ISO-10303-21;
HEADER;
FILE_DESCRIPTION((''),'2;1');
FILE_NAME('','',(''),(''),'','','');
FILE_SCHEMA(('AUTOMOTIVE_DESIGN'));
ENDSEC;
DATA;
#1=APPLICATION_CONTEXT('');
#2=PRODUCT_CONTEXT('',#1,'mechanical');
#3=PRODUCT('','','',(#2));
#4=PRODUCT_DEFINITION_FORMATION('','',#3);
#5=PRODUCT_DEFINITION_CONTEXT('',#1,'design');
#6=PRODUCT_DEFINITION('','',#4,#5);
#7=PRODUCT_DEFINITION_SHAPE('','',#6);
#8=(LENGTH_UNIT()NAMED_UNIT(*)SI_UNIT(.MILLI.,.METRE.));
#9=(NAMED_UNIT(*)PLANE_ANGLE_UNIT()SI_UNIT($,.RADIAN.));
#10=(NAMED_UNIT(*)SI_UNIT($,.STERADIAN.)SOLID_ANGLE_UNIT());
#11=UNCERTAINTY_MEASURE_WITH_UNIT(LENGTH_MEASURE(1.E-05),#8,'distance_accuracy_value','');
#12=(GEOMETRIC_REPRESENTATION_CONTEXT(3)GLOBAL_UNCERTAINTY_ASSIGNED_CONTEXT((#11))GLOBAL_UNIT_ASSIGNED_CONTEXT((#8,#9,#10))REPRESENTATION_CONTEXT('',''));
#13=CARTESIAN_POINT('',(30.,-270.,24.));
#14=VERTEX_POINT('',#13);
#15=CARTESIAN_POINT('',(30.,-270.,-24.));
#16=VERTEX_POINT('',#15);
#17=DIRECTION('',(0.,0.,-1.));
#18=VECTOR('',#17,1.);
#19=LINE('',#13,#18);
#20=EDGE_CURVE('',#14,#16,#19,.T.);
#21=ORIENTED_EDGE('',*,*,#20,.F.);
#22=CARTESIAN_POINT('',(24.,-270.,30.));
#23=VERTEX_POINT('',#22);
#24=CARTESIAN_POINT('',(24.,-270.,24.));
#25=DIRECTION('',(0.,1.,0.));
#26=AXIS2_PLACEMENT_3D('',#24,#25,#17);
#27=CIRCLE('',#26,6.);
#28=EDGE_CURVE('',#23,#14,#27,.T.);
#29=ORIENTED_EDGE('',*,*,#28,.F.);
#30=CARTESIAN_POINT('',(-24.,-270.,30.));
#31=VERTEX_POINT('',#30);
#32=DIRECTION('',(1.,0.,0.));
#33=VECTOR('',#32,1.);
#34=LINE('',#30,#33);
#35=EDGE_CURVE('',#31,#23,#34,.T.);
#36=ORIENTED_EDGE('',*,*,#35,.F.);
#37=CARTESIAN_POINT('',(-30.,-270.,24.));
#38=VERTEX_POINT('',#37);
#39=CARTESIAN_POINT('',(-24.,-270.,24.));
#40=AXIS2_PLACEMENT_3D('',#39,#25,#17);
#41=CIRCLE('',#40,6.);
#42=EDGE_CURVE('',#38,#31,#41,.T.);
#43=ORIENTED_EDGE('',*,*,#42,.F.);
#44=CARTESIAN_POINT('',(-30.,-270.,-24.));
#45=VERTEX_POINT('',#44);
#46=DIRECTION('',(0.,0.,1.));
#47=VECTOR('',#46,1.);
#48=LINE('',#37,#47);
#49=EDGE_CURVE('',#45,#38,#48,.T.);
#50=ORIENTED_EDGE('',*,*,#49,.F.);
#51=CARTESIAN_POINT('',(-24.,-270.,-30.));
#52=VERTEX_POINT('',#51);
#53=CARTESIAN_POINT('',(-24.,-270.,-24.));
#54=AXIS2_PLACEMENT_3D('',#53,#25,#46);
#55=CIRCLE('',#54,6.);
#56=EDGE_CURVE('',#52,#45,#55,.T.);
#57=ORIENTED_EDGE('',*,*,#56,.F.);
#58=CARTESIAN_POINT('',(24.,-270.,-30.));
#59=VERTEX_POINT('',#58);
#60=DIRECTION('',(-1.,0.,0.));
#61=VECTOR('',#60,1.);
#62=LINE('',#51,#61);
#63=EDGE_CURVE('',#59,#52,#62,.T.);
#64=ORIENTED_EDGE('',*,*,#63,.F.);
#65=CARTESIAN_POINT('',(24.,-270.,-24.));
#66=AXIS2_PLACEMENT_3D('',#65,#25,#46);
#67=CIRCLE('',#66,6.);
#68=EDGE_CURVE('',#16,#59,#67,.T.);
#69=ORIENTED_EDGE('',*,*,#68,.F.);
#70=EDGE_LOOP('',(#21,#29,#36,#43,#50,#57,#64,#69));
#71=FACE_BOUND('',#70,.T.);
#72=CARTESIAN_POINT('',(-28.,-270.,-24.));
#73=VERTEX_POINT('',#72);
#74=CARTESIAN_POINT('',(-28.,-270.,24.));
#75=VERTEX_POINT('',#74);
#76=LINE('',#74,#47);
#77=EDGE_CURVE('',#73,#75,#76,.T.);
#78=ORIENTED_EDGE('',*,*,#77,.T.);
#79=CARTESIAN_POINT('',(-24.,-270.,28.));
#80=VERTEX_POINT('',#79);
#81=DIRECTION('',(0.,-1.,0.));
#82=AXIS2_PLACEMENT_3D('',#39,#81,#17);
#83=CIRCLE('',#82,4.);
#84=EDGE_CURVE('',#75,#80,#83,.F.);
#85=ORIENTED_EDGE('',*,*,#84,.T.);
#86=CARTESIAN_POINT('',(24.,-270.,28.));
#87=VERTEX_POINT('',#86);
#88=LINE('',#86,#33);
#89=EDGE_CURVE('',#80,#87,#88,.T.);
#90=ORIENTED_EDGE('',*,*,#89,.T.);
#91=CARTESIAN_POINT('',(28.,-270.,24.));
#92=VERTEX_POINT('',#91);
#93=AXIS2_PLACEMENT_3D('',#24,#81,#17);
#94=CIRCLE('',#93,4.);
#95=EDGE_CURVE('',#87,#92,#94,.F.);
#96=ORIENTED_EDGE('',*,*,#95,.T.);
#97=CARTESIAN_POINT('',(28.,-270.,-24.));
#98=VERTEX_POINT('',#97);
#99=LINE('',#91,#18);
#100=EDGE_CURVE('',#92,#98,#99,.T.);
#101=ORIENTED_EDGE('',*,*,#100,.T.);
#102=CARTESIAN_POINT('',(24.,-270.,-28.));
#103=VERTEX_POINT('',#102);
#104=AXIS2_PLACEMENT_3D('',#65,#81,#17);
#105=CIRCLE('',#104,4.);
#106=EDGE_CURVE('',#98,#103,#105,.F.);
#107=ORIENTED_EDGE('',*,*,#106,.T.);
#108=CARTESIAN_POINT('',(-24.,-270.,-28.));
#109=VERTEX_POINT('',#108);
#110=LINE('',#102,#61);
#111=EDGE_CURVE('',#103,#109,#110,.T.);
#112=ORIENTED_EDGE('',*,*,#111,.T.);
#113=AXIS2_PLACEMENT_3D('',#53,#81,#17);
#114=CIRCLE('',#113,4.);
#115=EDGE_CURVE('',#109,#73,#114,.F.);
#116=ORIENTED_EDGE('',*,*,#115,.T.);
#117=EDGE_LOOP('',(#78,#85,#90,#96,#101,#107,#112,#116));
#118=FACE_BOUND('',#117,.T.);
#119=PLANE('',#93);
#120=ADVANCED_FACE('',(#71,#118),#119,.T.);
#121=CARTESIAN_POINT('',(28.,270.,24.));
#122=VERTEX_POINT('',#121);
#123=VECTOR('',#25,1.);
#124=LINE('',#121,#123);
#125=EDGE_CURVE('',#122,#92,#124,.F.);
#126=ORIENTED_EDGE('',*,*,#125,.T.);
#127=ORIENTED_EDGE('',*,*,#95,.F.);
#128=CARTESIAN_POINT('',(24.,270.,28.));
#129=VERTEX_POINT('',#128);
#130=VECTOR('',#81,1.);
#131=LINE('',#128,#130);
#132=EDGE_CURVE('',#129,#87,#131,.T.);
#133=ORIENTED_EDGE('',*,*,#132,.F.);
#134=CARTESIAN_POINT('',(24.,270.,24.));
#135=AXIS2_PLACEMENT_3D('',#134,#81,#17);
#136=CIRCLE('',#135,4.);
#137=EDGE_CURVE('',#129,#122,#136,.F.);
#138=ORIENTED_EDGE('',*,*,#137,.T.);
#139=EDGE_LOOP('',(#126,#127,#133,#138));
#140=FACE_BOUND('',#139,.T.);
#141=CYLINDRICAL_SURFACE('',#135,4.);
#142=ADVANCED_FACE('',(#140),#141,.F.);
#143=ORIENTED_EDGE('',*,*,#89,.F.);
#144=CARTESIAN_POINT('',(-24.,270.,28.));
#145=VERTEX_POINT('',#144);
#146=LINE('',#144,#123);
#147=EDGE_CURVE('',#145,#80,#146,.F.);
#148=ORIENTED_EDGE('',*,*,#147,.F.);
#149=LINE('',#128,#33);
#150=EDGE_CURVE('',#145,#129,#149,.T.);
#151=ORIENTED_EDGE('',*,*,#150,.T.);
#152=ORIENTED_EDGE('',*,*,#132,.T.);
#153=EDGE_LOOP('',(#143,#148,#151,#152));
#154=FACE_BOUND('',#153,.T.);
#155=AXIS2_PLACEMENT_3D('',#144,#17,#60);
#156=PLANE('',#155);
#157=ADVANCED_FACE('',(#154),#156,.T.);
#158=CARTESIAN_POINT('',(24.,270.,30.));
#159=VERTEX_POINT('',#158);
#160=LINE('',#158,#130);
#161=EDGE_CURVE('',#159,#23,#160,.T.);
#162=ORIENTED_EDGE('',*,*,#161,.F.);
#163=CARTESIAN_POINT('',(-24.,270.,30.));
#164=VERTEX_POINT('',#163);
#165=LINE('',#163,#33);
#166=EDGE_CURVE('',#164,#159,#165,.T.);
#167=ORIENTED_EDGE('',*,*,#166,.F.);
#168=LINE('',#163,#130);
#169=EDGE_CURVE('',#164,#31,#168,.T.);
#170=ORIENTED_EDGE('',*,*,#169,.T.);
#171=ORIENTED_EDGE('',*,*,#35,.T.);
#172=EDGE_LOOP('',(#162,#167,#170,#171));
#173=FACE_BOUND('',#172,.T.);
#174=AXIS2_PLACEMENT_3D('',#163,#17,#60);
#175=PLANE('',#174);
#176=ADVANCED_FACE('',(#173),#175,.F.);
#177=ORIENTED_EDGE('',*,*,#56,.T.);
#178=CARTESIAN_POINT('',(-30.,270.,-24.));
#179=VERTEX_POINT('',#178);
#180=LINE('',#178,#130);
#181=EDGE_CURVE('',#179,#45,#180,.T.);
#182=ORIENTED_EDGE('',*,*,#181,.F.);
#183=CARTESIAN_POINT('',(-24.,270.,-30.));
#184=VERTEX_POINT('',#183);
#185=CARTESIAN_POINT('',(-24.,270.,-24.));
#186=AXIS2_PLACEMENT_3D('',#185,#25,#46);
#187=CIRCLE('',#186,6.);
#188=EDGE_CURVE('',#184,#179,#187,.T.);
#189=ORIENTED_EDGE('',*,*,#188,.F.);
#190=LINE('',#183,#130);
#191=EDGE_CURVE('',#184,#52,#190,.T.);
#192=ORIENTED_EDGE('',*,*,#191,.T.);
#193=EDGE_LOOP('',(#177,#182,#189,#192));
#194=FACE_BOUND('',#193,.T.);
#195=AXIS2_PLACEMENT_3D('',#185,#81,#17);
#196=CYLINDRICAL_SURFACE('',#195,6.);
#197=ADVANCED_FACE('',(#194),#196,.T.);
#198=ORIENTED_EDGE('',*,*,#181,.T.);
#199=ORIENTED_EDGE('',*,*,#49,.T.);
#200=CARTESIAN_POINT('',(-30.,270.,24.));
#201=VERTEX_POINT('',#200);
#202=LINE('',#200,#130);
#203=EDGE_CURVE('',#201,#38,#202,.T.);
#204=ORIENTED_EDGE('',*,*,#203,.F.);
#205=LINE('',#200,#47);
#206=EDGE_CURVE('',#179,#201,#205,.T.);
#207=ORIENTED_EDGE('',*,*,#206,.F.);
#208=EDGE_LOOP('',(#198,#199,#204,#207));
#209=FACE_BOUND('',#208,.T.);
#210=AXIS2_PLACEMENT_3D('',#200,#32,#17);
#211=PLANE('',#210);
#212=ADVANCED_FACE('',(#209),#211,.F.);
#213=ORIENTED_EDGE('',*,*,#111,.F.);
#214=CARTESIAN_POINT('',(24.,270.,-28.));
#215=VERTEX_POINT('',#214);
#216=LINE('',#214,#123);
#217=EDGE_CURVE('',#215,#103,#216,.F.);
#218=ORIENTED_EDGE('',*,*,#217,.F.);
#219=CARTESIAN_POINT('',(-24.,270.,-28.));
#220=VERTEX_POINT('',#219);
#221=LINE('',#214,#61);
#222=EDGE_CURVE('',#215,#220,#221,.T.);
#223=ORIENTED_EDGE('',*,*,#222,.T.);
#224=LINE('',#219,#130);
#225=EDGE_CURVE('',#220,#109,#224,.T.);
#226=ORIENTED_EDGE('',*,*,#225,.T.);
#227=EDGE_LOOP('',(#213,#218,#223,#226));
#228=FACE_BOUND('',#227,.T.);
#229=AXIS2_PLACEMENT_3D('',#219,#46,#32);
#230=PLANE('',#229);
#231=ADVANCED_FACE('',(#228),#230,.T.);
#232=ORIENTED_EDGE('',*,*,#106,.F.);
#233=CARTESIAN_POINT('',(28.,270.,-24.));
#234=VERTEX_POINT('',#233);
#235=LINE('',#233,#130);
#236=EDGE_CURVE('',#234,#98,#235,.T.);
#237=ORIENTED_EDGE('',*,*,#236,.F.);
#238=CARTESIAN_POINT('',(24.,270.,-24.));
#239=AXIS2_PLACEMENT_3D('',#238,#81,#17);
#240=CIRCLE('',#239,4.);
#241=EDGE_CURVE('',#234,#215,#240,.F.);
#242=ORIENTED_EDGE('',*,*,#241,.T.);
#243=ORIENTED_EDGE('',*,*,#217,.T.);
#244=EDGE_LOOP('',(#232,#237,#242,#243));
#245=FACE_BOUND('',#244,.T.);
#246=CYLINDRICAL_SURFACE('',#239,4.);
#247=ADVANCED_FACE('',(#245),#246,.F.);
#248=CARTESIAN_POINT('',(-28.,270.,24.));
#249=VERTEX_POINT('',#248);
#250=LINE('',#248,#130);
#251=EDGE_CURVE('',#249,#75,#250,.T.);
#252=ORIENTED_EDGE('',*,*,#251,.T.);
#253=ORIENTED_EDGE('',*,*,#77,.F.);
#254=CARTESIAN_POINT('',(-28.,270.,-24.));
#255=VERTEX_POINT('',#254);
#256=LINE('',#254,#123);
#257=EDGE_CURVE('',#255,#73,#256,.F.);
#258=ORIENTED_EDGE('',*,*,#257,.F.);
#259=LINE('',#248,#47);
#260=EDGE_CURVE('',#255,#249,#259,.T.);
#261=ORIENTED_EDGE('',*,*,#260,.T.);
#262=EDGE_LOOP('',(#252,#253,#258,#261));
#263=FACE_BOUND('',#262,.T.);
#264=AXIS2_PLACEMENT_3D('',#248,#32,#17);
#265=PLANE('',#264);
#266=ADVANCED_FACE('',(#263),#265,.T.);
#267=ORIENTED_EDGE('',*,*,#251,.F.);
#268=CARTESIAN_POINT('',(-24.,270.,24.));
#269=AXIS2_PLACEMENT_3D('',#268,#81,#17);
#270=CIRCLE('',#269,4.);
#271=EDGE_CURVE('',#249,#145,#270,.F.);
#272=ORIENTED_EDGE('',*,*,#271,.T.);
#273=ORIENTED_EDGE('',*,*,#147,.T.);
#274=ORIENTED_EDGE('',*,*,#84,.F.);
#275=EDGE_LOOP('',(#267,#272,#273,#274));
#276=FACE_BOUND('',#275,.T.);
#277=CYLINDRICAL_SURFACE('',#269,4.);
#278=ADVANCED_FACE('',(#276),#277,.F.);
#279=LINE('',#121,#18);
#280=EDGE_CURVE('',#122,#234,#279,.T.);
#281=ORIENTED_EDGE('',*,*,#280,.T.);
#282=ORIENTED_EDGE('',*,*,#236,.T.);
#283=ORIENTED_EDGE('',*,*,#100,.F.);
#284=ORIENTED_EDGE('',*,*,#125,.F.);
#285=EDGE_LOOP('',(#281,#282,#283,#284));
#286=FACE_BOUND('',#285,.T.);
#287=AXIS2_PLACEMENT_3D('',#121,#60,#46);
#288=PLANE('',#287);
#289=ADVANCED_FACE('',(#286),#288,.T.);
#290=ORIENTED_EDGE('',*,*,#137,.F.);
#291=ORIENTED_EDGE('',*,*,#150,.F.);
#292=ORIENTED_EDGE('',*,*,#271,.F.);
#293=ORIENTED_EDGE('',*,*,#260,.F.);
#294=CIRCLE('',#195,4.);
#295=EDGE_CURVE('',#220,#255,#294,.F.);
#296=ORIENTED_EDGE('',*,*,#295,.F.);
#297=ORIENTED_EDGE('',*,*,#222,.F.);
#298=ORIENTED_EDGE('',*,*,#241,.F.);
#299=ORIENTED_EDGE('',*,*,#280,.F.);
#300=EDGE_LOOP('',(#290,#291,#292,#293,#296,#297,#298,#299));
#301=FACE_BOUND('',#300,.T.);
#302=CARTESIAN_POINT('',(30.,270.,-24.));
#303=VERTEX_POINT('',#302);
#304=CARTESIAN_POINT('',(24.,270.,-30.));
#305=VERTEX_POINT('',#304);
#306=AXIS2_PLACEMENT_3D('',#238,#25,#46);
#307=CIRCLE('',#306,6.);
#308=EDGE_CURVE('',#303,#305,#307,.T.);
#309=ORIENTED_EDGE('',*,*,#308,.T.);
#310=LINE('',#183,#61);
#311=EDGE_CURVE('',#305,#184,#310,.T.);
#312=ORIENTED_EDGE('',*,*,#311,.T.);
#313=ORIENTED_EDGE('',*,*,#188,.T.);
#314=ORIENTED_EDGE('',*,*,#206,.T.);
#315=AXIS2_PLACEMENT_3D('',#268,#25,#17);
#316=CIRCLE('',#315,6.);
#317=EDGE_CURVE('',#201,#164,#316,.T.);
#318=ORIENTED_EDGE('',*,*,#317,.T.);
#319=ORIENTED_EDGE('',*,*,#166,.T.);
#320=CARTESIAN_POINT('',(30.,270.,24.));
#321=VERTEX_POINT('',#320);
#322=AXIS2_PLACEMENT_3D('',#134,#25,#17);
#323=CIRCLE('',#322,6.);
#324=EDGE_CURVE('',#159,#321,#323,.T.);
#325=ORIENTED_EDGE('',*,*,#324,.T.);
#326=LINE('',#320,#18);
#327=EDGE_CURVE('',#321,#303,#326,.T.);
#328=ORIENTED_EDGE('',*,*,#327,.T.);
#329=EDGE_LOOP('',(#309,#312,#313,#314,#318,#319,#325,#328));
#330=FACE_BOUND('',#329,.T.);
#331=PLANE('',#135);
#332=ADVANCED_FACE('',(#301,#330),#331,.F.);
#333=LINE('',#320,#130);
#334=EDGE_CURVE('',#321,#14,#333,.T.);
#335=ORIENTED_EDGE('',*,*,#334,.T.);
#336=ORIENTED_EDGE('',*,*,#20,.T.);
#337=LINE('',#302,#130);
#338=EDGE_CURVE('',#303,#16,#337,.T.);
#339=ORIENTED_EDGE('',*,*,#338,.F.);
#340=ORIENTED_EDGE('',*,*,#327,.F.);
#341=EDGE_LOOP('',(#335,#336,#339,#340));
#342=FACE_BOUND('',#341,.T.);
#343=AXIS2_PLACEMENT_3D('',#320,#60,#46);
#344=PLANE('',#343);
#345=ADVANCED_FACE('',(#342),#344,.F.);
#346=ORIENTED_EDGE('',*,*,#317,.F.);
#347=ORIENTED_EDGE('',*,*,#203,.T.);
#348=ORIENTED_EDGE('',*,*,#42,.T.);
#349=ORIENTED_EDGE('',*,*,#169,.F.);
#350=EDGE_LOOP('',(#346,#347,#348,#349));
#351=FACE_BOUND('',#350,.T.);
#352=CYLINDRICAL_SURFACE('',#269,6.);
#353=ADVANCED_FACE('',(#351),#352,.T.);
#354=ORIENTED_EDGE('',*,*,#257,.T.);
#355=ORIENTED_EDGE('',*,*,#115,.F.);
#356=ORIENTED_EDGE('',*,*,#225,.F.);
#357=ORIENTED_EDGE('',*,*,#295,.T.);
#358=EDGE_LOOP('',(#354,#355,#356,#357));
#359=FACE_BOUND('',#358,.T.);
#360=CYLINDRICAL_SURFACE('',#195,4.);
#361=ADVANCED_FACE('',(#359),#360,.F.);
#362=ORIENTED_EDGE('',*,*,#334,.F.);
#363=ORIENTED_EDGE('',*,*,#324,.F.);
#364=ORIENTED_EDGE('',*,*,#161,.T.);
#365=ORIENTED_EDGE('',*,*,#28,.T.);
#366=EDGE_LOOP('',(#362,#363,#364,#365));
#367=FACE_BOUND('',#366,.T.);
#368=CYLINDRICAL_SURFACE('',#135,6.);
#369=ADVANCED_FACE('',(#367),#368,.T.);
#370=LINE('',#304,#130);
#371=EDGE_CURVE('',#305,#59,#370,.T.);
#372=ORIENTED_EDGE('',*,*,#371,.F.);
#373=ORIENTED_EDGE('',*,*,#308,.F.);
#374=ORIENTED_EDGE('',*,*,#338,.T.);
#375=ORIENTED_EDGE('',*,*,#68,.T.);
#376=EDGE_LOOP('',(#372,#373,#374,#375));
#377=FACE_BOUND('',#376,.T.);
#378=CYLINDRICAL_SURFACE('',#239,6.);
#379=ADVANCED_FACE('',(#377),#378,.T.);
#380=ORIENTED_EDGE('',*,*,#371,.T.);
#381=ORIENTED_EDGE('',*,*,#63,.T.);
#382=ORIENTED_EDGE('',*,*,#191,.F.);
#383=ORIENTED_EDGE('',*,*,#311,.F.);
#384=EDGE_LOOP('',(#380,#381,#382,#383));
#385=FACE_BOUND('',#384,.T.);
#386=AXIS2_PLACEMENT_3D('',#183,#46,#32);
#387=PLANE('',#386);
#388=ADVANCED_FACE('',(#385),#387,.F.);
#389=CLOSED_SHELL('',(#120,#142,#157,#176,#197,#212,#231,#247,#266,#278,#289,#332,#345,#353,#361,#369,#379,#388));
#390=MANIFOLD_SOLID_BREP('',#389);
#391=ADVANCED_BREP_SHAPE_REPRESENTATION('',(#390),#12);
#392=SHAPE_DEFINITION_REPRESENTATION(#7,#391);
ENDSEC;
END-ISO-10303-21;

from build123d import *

# Parameters (mm, degrees)
BOSS_EXTRUDE1_DEPTH = 270
SHELL1_T            = -2


with BuildPart() as part:
    # Sketch1 → Boss-Extrude1 (new, symmetric)
    with BuildSketch(Plane(origin=(0, 0, 0), x_dir=(1, 0, 0), z_dir=(0, 1, 0))):
        with BuildLine():
            Line((-24, -30), (24, -30))
            ThreePointArc((24, -30), (28.242640687, -28.242640687), (30, -24))
            Line((30, -24), (30, 24))
            ThreePointArc((30, 24), (28.242640687, 28.242640687), (24, 30))
            Line((24, 30), (-24, 30))
            ThreePointArc((-24, 30), (-28.242640687, 28.242640687), (-30, 24))
            Line((-30, 24), (-30, -24))
            ThreePointArc((-30, -24), (-28.242640687, -28.242640687), (-24, -30))
        make_face()
    extrude(amount=BOSS_EXTRUDE1_DEPTH, both=True)

    # Shell1
    shell1_openings = [part.faces().sort_by_distance(p)[0] for p in [
        (0, 270, 0),
        (0, -270, 0),
    ]]
    offset(amount=SHELL1_T, openings=shell1_openings, kind=Kind.INTERSECTION)


solid = part.part
